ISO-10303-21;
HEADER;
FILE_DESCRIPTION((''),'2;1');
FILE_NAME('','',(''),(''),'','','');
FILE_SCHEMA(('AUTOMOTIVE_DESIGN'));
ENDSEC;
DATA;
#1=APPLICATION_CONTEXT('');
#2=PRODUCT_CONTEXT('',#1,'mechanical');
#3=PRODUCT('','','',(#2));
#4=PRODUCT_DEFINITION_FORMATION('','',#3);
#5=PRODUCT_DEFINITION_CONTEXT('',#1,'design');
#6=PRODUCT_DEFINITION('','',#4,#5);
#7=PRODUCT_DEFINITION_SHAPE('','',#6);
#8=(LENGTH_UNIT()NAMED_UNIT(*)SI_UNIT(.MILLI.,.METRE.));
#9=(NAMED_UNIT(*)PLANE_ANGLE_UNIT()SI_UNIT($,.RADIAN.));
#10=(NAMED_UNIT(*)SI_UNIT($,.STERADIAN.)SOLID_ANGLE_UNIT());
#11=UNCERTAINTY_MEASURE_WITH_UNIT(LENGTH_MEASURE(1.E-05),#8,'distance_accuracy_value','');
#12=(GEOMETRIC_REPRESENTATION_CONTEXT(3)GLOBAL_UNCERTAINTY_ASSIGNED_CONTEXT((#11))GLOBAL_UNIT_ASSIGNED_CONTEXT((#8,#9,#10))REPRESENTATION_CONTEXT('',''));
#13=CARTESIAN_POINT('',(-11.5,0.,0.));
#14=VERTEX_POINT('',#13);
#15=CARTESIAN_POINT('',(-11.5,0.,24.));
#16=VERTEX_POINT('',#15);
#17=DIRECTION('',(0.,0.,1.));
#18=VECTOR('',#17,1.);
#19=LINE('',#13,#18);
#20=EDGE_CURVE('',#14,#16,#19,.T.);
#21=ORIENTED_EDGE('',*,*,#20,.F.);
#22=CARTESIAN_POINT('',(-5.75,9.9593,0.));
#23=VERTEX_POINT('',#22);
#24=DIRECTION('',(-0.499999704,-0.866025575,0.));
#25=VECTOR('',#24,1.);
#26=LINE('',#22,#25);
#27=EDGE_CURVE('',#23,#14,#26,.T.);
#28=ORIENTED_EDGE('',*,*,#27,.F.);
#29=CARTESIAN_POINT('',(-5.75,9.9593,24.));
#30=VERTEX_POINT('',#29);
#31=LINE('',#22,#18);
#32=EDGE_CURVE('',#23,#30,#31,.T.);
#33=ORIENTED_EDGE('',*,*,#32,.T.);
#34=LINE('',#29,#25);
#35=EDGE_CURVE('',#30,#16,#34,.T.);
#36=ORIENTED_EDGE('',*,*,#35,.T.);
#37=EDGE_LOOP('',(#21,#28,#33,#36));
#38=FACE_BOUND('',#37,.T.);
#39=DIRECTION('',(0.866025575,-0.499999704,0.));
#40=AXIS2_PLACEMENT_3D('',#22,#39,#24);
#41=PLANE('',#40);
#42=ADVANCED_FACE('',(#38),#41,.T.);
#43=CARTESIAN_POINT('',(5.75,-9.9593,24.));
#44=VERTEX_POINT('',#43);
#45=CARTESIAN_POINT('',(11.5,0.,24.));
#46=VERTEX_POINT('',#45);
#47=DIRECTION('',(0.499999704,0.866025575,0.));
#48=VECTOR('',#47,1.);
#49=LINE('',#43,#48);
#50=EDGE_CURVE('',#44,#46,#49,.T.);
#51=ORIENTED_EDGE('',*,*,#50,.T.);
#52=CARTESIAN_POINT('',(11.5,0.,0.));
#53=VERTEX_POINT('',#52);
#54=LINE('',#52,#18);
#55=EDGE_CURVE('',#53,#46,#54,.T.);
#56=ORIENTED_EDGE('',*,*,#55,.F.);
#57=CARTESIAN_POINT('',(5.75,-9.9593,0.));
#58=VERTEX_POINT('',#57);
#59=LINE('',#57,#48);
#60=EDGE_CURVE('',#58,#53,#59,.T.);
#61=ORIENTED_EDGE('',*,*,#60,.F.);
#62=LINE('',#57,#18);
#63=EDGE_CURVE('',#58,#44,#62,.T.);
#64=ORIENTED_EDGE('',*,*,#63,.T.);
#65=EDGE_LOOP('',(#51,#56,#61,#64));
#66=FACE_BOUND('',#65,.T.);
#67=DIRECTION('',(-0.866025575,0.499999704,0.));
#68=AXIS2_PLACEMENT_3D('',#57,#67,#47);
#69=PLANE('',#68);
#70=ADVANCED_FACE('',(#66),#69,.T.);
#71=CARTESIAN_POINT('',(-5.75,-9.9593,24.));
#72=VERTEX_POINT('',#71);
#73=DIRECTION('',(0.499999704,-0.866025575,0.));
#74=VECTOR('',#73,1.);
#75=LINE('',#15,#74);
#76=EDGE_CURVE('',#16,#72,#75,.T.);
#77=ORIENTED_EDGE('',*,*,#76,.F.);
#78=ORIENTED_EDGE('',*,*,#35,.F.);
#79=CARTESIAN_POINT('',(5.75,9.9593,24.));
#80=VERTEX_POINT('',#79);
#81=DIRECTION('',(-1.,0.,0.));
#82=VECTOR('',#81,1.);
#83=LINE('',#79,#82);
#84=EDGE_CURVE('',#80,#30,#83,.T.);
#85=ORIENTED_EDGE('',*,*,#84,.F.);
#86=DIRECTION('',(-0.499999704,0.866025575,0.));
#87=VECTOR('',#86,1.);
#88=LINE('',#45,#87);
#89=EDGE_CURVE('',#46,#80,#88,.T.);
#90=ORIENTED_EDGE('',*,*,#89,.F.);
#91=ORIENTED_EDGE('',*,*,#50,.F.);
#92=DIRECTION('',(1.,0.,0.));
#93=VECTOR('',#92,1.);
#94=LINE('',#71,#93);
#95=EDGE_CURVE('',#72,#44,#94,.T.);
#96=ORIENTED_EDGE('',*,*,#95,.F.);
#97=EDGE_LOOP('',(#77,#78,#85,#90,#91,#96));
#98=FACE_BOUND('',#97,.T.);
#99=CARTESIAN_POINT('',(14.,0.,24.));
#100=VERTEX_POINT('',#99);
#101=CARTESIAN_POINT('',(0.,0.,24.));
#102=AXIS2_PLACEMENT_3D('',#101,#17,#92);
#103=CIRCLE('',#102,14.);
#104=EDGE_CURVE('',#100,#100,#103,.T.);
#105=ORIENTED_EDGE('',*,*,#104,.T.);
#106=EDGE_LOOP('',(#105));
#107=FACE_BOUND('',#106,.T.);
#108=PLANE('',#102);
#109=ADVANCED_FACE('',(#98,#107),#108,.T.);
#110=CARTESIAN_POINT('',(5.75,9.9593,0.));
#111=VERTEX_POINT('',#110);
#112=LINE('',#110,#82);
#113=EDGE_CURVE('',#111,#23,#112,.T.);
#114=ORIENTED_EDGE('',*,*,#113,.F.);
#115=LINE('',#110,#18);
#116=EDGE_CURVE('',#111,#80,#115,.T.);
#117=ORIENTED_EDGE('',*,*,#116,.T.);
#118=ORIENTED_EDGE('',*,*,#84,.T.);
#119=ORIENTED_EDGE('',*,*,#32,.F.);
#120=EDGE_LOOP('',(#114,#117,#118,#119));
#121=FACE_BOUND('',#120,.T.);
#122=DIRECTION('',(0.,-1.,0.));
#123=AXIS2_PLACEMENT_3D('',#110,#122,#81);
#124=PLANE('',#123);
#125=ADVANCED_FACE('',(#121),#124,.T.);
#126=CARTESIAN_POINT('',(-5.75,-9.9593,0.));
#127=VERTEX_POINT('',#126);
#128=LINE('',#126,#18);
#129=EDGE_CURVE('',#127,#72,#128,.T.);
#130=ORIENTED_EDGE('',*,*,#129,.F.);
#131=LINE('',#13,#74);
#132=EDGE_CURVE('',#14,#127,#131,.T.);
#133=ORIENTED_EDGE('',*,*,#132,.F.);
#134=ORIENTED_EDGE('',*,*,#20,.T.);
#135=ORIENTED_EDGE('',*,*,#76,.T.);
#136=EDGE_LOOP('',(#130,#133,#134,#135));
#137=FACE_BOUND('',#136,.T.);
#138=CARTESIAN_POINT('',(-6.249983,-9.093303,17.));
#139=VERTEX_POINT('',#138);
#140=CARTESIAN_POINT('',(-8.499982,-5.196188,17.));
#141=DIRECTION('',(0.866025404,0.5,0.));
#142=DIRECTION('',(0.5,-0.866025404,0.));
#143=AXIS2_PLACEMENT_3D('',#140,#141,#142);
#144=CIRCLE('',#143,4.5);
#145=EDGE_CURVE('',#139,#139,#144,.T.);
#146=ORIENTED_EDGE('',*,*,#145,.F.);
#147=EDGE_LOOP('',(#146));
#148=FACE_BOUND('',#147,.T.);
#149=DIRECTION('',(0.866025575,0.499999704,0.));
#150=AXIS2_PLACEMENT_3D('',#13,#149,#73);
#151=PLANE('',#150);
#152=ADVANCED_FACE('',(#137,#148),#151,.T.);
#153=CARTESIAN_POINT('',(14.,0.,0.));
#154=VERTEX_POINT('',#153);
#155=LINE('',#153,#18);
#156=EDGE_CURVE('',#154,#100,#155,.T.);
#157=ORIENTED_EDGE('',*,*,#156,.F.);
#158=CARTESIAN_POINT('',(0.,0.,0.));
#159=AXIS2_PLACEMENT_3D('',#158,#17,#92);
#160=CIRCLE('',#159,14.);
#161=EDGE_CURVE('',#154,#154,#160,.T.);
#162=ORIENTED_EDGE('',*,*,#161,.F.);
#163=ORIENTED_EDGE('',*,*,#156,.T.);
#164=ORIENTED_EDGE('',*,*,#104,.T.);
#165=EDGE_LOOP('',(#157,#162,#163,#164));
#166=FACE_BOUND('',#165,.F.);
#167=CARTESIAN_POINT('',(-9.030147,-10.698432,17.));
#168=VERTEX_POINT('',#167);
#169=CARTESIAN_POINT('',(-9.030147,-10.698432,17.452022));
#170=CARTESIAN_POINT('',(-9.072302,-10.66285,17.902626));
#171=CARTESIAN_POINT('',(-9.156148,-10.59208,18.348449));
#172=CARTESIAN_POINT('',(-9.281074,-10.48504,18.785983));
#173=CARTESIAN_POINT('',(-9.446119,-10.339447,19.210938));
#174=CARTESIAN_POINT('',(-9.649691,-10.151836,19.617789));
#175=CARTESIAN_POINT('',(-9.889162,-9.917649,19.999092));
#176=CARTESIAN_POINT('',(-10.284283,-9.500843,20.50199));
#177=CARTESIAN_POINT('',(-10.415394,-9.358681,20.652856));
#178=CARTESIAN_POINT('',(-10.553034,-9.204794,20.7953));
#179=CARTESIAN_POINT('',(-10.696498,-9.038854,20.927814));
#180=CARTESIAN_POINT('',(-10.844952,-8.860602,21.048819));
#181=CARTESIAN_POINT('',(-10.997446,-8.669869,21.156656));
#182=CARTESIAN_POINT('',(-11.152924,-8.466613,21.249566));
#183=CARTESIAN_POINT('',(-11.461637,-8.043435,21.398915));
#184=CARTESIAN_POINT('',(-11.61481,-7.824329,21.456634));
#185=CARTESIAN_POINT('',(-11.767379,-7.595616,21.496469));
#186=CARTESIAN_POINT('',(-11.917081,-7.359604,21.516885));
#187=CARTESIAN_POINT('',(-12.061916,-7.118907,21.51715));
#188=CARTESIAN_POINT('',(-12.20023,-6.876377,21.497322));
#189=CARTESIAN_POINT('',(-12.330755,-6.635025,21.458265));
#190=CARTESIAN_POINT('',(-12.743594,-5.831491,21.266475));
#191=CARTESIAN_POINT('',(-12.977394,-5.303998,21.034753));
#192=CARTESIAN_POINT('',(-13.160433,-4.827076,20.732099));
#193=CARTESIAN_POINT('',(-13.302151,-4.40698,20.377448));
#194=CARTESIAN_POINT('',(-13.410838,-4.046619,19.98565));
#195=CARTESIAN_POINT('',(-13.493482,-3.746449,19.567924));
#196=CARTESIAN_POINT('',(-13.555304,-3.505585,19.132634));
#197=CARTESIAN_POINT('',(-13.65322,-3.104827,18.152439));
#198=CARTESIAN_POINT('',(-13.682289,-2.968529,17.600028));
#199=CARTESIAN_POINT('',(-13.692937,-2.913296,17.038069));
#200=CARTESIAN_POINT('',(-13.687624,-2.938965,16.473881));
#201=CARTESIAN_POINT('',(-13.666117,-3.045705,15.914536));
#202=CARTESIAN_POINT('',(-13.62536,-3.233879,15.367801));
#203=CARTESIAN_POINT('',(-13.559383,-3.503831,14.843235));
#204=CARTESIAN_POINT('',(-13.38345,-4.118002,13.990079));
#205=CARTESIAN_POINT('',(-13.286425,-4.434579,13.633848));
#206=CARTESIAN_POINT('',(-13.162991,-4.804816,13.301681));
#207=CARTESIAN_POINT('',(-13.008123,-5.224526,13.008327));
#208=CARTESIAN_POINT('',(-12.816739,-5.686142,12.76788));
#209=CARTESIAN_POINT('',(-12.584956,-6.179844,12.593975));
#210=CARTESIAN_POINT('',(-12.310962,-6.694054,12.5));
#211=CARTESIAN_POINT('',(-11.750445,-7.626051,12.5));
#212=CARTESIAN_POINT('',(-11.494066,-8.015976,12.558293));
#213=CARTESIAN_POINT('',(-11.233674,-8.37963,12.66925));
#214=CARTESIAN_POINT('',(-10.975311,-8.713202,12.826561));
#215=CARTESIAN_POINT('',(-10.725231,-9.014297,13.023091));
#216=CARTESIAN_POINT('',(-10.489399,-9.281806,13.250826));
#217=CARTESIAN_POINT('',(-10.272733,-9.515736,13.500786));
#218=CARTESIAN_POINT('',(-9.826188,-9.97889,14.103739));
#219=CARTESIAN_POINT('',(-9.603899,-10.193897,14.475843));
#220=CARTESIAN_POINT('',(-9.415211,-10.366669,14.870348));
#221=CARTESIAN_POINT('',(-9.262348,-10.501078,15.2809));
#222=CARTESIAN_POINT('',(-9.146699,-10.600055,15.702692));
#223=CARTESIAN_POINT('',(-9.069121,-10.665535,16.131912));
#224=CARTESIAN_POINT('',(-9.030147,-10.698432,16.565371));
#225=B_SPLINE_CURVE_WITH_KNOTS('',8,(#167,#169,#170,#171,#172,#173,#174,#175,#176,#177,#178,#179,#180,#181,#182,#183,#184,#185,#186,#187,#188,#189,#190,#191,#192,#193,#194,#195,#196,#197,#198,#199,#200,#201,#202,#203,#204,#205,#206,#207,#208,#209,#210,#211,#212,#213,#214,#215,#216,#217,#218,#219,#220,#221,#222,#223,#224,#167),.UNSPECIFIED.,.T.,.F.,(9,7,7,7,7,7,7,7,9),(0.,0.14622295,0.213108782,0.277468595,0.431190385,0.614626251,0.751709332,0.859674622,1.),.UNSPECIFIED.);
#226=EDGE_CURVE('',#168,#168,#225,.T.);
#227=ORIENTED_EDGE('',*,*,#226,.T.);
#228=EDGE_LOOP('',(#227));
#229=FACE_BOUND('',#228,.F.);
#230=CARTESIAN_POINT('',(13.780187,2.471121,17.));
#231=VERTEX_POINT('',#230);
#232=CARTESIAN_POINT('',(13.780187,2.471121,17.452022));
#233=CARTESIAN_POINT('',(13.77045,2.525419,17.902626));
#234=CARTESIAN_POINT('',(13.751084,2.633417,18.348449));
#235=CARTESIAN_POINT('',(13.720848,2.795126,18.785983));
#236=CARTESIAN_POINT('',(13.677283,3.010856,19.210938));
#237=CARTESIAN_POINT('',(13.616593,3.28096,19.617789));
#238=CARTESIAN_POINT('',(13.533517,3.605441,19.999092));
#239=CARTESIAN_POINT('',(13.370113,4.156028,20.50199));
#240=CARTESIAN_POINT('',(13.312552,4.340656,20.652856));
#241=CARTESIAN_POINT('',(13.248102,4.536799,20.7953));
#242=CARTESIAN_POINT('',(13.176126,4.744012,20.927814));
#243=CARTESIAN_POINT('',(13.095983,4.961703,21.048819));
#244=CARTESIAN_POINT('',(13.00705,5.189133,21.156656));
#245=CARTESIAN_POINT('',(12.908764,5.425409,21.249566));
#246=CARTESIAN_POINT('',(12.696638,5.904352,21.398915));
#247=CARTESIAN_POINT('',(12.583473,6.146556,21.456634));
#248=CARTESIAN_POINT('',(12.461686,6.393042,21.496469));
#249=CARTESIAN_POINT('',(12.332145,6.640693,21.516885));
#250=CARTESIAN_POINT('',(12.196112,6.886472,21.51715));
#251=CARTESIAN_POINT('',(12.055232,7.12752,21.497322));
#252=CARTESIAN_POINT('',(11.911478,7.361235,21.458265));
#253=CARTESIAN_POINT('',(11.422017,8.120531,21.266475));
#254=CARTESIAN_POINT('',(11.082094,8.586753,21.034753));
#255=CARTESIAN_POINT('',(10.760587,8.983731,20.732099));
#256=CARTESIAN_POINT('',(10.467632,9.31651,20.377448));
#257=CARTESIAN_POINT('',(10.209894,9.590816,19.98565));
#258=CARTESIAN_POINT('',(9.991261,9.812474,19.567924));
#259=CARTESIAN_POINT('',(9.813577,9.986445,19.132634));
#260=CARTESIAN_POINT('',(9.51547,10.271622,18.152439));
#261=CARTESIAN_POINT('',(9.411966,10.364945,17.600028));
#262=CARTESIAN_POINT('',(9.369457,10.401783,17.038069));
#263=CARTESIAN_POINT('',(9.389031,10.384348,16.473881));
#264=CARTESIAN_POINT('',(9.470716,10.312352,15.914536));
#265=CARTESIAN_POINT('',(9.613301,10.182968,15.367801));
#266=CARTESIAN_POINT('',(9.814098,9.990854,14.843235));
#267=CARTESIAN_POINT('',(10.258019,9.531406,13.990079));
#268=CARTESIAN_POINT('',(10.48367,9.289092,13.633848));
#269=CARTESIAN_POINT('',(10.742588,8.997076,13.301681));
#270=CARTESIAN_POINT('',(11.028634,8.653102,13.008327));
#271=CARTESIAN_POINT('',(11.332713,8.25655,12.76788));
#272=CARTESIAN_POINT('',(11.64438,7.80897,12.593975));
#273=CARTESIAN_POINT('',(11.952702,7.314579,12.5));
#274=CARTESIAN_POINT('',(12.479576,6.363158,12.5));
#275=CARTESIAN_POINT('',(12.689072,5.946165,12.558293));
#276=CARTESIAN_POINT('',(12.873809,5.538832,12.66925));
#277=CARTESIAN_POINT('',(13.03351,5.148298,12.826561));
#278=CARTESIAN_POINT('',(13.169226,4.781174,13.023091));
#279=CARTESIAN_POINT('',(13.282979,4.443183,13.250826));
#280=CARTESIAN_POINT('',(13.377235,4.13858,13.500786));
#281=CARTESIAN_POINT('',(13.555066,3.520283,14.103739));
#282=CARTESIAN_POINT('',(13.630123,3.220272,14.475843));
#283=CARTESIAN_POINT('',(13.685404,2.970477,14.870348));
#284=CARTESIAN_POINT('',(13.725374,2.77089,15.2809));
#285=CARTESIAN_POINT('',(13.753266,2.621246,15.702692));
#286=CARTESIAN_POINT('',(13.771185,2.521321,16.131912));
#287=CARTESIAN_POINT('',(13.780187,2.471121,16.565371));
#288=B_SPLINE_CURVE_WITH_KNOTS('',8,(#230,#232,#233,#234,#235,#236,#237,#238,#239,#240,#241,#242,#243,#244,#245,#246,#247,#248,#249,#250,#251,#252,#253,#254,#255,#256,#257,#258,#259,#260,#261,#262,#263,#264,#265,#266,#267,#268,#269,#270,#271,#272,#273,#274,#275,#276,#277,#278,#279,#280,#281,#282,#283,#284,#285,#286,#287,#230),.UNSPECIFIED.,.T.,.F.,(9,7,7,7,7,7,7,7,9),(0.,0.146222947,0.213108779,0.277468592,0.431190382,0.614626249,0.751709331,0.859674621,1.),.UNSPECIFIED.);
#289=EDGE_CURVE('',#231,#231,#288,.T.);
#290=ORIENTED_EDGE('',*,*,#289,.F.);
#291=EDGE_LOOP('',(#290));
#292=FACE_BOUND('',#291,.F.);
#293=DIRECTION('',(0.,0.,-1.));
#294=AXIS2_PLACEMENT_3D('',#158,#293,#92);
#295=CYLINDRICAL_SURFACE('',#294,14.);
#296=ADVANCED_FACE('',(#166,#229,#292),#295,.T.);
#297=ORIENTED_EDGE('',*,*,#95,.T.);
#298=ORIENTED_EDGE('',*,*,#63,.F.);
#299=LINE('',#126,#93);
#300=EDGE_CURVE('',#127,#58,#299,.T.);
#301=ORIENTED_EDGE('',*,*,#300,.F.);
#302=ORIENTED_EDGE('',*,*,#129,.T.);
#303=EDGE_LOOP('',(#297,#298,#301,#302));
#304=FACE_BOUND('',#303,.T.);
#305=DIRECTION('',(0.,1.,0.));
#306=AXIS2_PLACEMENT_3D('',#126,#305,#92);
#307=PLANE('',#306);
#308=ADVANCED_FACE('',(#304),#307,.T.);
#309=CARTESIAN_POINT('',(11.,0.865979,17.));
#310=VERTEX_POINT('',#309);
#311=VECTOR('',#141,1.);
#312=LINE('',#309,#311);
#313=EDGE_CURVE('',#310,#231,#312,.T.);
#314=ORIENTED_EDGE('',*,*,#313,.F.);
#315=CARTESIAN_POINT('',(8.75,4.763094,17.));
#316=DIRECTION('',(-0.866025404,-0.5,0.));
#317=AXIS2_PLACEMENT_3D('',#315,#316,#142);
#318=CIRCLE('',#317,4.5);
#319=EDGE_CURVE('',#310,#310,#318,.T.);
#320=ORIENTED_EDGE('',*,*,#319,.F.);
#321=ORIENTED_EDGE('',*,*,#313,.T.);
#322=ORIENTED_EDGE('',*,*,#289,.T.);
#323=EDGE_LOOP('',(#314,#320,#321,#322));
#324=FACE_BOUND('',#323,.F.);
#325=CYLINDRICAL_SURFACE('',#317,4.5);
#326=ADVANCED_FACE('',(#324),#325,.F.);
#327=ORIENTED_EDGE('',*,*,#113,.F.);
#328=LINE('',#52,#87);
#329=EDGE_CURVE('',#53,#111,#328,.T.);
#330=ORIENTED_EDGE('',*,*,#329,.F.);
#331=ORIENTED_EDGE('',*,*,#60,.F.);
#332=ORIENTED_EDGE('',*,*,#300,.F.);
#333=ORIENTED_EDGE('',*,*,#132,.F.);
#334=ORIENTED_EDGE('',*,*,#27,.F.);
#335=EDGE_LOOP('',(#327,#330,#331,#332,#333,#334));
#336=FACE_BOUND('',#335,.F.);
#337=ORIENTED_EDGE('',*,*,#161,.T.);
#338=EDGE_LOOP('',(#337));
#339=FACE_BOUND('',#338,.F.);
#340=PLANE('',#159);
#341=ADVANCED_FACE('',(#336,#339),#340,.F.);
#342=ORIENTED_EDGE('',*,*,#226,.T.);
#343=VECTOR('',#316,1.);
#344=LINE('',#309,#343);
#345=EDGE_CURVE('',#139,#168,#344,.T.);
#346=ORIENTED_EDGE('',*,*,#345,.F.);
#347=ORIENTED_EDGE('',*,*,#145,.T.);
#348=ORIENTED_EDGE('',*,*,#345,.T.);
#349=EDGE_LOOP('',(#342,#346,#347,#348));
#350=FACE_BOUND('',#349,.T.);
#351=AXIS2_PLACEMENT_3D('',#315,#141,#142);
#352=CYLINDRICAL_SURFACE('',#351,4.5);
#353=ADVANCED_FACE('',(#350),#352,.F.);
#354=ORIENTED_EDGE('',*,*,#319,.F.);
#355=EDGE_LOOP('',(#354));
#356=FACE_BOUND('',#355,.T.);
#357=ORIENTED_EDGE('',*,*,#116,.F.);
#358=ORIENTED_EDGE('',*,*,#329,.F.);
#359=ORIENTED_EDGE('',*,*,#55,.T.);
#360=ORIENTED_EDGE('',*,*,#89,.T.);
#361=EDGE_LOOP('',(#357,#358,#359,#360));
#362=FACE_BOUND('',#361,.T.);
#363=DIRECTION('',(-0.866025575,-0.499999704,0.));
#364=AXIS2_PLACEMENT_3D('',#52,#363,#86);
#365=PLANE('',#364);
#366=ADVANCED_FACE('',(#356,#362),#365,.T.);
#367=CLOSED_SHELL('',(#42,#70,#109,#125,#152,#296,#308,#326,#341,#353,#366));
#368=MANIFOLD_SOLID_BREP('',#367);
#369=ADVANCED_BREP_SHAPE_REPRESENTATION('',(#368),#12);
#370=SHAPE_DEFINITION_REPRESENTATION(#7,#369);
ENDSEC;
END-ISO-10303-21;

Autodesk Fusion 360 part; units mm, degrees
sketch "Boceto1" plane through (0, 0, 0) normal (0, 0, 1) x (1, 0, 0)
  circle A0 centre (0, 0) radius 11.5
  line L0 (0, 0) -> (11.5, 0)
  line L1 (0, 0) -> (5.75, 9.9593)
  line L2 (0, 0) -> (-5.75, 9.9593)
  line L3 (0, 0) -> (-11.5, 0)
  line L4 (0, 0) -> (-5.75, -9.9593)
  line L5 (0, 0) -> (5.75, -9.9593)
  line L6 (5.75, 9.9593) -> (-5.75, 9.9593)
  line L7 (-5.75, 9.9593) -> (-11.5, 0)
  line L8 (-11.5, 0) -> (-5.75, -9.9593)
  line L9 (-5.75, -9.9593) -> (5.75, -9.9593)
  line L10 (5.75, -9.9593) -> (11.5, 0)
  line L11 (11.5, 0) -> (5.75, 9.9593)
  circle A1 centre (0, 0) radius 14
  dimension "d1" = 23
  dimension "d3" = 360
  dimension "d5" = 360
  dimension "d6" = 28
extrude "Extruir1" add sketch "Boceto1" along normal blind 24 contours A0 L11 | A0 L10 | A0 L6 | A0 L9 | A0 L7 | A0 L8 | A1
sketch "Boceto2" plane through (8.625, 4.9796, 0) normal (-0.866, -0.5, 0) x (0.5, -0.866, 0)
  line L0 (-5.75, 0) -> (5.75, 0)
  line L1 (5.75, 0) -> (5.75, 24)
  line L2 (5.75, 24) -> (-5.75, 24)
  line L3 (-5.75, 24) -> (-5.75, 0)
  circle A0 centre (0.25, 17) radius 4.5
  dimension "d9" = 9
  dimension "d10" = 7
  dimension "d11" = 5.5
extrude "Extruir2" cut sketch "Boceto2" along normal mid plane 54 contours A0
